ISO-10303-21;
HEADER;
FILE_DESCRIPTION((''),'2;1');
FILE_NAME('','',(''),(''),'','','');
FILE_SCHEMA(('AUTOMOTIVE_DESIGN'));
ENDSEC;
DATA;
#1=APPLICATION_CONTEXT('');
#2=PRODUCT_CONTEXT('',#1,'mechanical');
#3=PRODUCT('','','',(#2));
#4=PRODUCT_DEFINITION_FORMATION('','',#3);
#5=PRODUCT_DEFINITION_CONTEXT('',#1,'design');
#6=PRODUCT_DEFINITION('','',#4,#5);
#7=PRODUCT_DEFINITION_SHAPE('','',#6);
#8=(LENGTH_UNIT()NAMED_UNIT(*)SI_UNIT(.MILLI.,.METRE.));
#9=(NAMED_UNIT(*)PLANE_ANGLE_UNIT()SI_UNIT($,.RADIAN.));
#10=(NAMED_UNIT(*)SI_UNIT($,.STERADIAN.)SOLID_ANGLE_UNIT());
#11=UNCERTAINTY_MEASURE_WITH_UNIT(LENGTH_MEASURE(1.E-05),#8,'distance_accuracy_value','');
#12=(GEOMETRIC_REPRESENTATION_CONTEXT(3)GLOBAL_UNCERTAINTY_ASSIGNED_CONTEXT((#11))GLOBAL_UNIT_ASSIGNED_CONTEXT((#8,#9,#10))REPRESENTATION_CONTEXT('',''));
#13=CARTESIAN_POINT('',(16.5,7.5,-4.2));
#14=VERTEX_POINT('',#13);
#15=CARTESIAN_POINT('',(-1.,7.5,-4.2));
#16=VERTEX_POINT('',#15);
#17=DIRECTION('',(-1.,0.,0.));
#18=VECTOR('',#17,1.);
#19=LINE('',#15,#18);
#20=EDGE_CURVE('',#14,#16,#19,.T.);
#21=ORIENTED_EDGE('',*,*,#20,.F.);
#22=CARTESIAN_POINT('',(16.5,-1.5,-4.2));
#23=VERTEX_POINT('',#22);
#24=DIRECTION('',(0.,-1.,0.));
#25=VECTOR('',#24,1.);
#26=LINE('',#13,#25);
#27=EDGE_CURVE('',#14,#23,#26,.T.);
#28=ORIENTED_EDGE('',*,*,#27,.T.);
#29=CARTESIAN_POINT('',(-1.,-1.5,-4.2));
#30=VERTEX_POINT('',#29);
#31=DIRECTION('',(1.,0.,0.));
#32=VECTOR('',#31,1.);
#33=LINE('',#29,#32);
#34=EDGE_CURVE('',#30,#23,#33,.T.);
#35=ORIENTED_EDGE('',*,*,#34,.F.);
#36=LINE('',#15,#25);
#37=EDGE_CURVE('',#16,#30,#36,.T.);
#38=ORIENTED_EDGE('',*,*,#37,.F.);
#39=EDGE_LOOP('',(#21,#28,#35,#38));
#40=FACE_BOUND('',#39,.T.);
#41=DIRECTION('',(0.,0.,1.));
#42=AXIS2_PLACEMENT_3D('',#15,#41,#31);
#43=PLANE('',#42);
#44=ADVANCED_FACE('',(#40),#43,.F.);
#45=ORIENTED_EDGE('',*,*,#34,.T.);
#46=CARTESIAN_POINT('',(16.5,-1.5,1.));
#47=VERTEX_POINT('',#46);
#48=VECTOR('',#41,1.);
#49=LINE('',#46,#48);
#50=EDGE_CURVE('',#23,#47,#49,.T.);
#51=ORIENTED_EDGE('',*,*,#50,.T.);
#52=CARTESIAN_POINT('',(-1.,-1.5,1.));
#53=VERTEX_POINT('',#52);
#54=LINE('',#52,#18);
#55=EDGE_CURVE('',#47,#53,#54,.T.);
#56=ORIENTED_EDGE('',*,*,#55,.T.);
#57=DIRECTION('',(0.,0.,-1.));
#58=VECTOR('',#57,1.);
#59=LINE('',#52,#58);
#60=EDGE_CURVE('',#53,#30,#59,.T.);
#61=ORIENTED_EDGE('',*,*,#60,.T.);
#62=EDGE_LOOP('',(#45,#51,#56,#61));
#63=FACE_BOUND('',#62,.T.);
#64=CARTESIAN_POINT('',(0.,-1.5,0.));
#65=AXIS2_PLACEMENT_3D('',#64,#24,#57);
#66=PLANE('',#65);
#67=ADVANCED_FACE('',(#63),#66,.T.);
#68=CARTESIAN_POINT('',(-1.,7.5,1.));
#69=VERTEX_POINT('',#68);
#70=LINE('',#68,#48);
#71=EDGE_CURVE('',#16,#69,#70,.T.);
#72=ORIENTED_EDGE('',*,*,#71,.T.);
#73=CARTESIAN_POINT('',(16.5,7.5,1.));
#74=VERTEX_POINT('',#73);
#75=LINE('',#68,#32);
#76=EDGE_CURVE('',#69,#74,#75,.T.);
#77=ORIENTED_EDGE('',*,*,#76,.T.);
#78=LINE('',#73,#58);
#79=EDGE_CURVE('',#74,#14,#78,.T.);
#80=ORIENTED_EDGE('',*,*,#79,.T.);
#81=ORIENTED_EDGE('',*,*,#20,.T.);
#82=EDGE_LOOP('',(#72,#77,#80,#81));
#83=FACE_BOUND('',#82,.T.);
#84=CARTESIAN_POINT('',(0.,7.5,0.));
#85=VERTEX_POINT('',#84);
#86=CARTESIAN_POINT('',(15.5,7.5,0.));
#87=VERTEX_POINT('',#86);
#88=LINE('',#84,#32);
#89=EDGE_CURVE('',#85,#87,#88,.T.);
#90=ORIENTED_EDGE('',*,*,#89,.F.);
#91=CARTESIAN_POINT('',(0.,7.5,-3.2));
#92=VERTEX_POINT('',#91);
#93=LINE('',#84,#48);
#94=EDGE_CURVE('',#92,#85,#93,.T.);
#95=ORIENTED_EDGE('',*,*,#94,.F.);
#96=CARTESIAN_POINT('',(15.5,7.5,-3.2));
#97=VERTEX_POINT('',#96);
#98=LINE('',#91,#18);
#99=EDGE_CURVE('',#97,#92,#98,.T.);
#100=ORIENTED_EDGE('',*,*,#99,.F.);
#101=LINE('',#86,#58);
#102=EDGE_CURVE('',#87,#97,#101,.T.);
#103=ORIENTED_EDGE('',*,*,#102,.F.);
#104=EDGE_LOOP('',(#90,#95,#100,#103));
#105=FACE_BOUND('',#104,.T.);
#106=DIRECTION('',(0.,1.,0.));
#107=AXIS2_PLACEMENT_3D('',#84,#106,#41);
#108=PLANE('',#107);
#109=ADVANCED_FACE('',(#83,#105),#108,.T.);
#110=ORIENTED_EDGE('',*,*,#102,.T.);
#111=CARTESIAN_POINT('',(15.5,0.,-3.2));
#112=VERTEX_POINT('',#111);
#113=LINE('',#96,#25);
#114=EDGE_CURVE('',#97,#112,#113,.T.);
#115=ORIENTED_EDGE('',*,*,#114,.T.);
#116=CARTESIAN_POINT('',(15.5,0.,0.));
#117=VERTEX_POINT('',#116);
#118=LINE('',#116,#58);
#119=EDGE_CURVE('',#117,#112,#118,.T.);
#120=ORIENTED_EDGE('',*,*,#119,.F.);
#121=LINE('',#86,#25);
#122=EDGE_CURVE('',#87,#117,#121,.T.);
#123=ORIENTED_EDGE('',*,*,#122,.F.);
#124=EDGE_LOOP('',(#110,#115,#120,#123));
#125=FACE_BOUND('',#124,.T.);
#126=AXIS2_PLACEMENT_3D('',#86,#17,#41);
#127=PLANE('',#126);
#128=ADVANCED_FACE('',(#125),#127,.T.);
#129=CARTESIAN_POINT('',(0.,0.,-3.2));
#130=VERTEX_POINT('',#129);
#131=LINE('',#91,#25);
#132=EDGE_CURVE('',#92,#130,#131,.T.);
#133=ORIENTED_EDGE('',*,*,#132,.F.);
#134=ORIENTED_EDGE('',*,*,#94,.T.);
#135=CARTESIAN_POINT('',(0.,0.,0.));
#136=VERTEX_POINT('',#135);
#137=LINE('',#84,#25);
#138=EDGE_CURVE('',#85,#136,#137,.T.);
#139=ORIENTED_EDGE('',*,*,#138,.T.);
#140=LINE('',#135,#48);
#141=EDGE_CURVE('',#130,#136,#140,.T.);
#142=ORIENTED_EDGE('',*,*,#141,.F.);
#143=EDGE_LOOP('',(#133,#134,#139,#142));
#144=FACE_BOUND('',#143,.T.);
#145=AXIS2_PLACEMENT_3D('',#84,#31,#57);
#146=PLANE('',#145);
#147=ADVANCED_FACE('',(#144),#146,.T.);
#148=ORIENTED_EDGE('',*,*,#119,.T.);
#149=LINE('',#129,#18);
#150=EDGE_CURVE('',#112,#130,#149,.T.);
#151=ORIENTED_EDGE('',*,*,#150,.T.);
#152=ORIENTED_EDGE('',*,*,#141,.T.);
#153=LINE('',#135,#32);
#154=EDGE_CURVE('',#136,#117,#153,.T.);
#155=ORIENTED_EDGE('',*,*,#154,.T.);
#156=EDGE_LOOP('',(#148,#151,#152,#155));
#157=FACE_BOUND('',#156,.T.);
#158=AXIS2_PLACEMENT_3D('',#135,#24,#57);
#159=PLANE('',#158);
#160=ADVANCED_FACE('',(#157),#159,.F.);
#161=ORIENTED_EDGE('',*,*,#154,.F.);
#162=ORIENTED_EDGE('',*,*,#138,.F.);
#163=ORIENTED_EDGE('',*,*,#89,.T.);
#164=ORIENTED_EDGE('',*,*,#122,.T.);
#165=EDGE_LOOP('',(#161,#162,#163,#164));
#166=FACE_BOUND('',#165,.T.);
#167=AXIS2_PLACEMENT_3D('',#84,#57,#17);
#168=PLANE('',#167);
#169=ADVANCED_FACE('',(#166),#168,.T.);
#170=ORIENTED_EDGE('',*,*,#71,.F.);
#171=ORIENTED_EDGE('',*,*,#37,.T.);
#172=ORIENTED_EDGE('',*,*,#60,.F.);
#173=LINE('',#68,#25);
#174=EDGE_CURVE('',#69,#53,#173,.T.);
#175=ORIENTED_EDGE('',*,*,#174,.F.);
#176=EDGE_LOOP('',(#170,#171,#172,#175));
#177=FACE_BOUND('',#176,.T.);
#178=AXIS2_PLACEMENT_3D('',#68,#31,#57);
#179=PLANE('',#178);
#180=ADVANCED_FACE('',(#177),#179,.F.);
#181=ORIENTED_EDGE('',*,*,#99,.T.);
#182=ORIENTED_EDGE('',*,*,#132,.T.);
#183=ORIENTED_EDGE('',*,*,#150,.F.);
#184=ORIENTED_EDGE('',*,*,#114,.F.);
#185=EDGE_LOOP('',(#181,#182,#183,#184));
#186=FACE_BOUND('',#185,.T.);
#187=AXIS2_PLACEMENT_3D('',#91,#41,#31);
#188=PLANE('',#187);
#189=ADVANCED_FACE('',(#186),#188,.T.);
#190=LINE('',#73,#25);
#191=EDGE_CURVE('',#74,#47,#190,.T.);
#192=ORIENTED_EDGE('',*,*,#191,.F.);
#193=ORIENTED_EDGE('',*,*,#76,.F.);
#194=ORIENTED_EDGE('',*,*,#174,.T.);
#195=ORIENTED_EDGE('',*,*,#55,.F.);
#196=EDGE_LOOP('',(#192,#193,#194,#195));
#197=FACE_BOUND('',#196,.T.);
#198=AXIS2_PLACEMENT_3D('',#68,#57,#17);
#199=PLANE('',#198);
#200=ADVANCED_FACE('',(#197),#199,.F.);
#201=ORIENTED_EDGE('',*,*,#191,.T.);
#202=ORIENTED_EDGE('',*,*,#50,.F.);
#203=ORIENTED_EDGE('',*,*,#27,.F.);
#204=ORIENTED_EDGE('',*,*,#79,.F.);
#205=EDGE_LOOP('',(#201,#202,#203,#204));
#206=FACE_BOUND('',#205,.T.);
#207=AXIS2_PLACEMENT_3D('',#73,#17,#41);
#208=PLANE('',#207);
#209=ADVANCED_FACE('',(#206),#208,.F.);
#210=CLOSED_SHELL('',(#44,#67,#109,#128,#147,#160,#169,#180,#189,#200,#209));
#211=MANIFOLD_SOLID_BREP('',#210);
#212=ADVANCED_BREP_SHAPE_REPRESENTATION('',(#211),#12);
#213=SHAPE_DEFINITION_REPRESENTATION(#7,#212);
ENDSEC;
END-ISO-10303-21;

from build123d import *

# Parameters (mm, degrees)
SKETCH1_W           = 17.5
SKETCH1_H           = 5.2
SKETCH1_W_2         = 15.5
SKETCH1_H_2         = 3.2
BOSS_EXTRUDE1_DEPTH = 7.5
SKETCH2_W           = 17.5
SKETCH2_H           = 5.2
BOSS_EXTRUDE2_DEPTH = 1.5


with BuildPart() as part:
    # Sketch1 → Boss-Extrude1 (new body)
    with BuildSketch(Plane(origin=(0, 0, 0), x_dir=(1, 0, 0), z_dir=(0, 1, 0))):
        with Locations((7.75, 1.6)):
            Rectangle(SKETCH1_W, SKETCH1_H)
        with Locations((7.75, 1.6)):
            Rectangle(SKETCH1_W_2, SKETCH1_H_2, mode=Mode.SUBTRACT)
    extrude(amount=BOSS_EXTRUDE1_DEPTH)

    # Sketch2 → Boss-Extrude2 (add)
    with BuildSketch(Plane.XZ):
        with Locations((7.75, -1.6)):
            Rectangle(SKETCH2_W, SKETCH2_H)
    extrude(amount=BOSS_EXTRUDE2_DEPTH)


solid = part.part
